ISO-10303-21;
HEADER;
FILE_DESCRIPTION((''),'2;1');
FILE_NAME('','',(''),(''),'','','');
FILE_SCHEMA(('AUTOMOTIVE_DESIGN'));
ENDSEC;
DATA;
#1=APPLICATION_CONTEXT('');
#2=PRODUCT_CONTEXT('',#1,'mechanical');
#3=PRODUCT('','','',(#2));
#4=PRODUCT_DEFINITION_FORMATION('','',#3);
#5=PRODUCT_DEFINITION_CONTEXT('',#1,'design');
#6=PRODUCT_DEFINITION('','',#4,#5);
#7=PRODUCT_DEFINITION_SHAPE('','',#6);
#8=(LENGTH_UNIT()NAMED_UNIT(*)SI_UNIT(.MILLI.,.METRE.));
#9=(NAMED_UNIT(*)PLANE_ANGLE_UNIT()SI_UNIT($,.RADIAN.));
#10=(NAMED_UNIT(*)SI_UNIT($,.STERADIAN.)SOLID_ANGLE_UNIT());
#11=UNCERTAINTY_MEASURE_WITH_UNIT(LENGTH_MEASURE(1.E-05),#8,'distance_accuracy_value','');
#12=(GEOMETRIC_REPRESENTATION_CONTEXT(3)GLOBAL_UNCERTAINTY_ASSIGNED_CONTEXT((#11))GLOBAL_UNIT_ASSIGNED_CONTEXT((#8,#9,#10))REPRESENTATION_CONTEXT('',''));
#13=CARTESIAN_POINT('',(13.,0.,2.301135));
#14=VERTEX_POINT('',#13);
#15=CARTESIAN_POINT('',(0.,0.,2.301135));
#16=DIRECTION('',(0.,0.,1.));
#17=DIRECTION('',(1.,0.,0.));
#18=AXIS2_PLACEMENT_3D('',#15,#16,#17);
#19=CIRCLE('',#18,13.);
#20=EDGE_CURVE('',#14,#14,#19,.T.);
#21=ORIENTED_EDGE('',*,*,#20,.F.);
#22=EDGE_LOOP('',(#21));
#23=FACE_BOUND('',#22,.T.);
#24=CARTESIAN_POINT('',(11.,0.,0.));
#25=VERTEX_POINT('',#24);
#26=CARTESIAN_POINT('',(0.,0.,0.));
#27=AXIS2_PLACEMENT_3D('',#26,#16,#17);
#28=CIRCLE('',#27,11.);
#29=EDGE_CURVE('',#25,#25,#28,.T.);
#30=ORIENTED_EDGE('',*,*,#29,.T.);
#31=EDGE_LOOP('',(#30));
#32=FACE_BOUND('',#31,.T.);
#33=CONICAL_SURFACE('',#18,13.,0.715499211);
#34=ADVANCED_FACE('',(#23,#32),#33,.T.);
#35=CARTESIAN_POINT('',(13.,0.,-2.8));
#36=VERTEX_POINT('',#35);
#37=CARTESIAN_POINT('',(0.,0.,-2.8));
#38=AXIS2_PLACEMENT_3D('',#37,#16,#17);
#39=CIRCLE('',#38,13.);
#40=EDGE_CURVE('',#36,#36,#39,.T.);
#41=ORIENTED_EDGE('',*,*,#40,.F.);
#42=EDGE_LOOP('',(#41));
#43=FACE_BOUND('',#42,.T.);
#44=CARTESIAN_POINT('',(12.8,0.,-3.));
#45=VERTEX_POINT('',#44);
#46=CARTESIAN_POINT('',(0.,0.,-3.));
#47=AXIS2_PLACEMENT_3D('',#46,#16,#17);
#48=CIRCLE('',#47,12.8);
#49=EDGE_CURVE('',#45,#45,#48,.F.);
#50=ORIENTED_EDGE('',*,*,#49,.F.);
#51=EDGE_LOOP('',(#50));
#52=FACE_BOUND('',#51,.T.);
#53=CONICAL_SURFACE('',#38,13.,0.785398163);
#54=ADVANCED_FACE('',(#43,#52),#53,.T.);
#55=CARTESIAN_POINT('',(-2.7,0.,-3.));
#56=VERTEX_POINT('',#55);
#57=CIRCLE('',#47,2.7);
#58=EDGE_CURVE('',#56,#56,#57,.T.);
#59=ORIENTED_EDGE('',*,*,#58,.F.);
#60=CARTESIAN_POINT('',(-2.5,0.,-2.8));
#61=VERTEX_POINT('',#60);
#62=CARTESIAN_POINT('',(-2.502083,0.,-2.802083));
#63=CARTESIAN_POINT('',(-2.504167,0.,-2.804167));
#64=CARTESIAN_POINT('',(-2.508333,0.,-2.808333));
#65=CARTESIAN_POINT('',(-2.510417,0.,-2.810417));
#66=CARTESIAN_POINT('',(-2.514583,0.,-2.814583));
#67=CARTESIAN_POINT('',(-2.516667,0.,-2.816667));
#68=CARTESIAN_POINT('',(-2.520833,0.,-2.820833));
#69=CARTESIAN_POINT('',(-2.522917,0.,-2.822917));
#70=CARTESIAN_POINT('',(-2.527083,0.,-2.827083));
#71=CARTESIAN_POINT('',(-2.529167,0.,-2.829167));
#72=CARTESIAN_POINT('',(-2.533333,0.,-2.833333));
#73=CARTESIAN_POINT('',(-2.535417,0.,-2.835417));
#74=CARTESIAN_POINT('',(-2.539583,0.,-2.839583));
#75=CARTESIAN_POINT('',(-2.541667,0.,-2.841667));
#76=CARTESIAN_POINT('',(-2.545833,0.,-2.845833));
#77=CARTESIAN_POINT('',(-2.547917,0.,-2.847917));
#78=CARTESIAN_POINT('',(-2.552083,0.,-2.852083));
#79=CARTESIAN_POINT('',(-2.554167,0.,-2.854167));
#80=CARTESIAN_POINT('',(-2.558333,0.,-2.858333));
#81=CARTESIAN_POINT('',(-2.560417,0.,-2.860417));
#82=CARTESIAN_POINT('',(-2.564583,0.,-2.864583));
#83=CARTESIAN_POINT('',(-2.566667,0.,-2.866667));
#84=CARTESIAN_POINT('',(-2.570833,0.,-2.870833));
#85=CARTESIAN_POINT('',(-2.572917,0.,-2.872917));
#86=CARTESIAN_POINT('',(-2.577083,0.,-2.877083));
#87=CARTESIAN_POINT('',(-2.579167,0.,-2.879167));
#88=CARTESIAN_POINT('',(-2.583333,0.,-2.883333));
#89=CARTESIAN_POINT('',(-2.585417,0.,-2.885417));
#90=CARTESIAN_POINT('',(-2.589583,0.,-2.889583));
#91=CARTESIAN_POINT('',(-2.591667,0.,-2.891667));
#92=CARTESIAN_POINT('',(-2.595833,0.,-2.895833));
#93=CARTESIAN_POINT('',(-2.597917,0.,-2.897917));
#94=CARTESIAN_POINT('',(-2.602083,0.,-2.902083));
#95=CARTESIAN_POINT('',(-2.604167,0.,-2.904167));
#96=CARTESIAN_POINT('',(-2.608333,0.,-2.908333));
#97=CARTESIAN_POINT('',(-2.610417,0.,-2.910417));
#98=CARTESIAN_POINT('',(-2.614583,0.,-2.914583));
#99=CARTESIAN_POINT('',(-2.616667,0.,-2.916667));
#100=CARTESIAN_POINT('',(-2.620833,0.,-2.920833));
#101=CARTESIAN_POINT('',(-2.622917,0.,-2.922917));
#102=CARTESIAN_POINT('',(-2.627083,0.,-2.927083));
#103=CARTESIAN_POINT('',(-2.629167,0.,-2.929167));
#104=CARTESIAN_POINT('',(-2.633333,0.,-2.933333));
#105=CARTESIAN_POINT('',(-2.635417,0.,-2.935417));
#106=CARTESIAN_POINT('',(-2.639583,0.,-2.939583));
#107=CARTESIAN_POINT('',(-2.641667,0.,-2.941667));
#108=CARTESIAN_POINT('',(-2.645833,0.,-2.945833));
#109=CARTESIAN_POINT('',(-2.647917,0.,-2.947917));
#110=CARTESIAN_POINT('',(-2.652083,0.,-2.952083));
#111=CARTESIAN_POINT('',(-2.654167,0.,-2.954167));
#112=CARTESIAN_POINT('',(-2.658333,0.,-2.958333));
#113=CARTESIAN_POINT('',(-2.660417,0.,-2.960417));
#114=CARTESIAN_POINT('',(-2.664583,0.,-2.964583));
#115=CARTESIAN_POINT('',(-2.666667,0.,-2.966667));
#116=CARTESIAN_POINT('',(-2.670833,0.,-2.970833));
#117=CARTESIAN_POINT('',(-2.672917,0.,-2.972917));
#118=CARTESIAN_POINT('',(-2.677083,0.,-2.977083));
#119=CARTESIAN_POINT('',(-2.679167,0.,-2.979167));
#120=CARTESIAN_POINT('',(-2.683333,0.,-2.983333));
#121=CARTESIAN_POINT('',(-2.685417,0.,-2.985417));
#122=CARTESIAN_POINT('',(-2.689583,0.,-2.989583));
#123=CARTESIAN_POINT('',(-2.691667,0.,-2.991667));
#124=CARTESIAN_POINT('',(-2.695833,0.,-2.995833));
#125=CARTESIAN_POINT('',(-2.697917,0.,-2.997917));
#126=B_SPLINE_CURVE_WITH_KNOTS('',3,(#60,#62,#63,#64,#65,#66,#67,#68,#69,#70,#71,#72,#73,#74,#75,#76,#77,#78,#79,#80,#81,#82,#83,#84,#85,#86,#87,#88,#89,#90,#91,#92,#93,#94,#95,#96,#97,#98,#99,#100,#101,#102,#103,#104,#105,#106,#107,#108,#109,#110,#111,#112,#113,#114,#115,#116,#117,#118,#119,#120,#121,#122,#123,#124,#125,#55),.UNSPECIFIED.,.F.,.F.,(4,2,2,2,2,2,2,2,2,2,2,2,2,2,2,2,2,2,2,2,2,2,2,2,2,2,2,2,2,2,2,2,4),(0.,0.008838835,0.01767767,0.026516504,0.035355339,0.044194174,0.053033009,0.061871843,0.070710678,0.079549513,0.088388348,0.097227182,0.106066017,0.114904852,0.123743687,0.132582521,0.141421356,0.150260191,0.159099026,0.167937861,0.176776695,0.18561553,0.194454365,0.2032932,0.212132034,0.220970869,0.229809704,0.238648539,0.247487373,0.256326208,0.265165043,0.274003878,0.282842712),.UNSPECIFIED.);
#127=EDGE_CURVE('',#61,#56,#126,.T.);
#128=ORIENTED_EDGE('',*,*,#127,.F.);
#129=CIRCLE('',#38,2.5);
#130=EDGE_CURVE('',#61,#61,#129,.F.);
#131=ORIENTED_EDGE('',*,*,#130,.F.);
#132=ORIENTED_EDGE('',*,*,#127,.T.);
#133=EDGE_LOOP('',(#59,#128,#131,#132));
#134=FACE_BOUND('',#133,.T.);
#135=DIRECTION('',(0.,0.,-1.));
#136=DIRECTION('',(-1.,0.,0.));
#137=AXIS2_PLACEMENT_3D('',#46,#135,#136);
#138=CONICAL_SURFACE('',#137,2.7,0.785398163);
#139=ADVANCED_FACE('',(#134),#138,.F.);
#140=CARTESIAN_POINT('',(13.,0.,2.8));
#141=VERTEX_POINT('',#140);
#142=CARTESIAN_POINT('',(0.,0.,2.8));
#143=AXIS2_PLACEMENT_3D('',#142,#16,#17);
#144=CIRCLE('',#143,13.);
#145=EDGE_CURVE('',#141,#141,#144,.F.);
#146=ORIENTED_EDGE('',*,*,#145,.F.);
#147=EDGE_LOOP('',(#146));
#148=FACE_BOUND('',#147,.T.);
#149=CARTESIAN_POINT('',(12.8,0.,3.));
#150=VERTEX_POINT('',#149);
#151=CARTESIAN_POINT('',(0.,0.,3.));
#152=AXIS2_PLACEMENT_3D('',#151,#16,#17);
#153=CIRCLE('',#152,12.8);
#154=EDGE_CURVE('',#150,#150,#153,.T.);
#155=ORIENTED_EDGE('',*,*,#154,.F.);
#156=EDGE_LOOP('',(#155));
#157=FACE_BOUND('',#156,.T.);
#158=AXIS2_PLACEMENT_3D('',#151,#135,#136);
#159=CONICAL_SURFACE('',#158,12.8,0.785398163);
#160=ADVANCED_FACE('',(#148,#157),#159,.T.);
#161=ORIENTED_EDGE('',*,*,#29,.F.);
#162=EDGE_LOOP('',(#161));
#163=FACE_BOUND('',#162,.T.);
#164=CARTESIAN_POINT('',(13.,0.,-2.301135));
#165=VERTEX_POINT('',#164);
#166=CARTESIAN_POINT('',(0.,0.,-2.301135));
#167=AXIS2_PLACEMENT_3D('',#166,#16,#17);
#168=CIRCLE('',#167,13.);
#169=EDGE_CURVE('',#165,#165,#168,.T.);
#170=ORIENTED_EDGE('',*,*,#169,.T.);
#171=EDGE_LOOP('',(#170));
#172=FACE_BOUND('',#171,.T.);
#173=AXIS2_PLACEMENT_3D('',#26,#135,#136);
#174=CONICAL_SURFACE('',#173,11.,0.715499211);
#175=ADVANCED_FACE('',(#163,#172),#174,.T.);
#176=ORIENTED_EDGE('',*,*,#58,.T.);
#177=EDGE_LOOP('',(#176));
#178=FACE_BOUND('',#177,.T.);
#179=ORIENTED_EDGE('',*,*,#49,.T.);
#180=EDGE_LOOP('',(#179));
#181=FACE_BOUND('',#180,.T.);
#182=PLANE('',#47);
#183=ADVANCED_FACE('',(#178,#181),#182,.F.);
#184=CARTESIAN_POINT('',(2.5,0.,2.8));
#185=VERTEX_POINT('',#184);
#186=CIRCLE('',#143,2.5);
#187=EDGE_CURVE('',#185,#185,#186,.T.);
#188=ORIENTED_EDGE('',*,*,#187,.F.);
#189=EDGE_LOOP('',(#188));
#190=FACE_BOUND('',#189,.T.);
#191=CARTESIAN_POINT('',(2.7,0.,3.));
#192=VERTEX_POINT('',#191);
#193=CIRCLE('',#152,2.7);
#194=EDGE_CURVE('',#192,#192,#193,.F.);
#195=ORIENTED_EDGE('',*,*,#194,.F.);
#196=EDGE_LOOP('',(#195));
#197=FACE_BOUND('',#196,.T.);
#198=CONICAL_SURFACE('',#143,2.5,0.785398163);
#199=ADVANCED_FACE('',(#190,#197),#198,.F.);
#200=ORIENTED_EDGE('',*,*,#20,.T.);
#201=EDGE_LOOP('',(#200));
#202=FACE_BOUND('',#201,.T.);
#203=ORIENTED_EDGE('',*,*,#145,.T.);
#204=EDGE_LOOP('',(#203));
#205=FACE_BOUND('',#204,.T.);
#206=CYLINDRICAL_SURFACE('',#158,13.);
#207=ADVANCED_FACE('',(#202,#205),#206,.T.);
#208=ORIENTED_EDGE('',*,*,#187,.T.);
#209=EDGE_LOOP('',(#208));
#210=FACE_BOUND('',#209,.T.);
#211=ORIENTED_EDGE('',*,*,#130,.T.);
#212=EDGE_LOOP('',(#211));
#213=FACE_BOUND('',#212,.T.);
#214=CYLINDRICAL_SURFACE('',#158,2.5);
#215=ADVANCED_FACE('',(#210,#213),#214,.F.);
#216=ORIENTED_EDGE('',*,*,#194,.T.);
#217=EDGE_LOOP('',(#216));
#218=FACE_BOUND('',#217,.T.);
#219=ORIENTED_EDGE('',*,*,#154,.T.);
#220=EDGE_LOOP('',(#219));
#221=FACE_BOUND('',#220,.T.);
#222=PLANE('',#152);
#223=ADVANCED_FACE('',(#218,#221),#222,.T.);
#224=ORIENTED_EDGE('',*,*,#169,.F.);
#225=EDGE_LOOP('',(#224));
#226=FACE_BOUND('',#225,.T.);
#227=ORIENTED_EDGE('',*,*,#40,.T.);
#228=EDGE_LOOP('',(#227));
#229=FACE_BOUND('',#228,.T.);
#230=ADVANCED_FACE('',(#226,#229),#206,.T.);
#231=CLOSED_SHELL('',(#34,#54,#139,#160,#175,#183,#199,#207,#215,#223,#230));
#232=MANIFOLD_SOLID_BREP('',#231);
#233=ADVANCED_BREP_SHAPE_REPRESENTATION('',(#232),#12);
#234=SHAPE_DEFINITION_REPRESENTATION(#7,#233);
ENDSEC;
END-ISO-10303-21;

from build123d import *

# Parameters (mm, degrees)
SKETCH_1_R      = 13
SKETCH_1_R_2    = 2.5
EXTRUDE_1_DEPTH = 3
CHAMFER_1_SIZE  = 0.2


with BuildPart() as part:
    # 草图1 → 凸台-拉伸1 (new, symmetric)
    with BuildSketch(Plane.XY):
        Circle(SKETCH_1_R)
        Circle(SKETCH_1_R_2, mode=Mode.SUBTRACT)
    extrude(amount=EXTRUDE_1_DEPTH, both=True)

    # 草图2 → 切除-旋转1 (revolve, cut)
    with BuildSketch(Plane(origin=(0, 0, 0), x_dir=(0, 0, -1), z_dir=(1, 0, 0)), mode=Mode.PRIVATE) as cut_revolve_1_sk:
        Polygon((0, 11), (2.301135457, 13), (-2.301135457, 13), align=None)
    revolve(cut_revolve_1_sk.sketch.rotate(Axis((0, 0, 0), (0, 0, -1)), 90), axis=Axis((0, 0, 0), (0, 0, -1)), mode=Mode.SUBTRACT)

    # 倒角1
    chamfer_1_edges = [part.edges().sort_by_distance(p)[0] for p in [
        (-13, 0, -3),
        (-13, 0, 3),
        (-2.5, 0, -3),
        (-2.5, 0, 3),
    ]]
    chamfer(chamfer_1_edges, length=CHAMFER_1_SIZE)


solid = part.part
